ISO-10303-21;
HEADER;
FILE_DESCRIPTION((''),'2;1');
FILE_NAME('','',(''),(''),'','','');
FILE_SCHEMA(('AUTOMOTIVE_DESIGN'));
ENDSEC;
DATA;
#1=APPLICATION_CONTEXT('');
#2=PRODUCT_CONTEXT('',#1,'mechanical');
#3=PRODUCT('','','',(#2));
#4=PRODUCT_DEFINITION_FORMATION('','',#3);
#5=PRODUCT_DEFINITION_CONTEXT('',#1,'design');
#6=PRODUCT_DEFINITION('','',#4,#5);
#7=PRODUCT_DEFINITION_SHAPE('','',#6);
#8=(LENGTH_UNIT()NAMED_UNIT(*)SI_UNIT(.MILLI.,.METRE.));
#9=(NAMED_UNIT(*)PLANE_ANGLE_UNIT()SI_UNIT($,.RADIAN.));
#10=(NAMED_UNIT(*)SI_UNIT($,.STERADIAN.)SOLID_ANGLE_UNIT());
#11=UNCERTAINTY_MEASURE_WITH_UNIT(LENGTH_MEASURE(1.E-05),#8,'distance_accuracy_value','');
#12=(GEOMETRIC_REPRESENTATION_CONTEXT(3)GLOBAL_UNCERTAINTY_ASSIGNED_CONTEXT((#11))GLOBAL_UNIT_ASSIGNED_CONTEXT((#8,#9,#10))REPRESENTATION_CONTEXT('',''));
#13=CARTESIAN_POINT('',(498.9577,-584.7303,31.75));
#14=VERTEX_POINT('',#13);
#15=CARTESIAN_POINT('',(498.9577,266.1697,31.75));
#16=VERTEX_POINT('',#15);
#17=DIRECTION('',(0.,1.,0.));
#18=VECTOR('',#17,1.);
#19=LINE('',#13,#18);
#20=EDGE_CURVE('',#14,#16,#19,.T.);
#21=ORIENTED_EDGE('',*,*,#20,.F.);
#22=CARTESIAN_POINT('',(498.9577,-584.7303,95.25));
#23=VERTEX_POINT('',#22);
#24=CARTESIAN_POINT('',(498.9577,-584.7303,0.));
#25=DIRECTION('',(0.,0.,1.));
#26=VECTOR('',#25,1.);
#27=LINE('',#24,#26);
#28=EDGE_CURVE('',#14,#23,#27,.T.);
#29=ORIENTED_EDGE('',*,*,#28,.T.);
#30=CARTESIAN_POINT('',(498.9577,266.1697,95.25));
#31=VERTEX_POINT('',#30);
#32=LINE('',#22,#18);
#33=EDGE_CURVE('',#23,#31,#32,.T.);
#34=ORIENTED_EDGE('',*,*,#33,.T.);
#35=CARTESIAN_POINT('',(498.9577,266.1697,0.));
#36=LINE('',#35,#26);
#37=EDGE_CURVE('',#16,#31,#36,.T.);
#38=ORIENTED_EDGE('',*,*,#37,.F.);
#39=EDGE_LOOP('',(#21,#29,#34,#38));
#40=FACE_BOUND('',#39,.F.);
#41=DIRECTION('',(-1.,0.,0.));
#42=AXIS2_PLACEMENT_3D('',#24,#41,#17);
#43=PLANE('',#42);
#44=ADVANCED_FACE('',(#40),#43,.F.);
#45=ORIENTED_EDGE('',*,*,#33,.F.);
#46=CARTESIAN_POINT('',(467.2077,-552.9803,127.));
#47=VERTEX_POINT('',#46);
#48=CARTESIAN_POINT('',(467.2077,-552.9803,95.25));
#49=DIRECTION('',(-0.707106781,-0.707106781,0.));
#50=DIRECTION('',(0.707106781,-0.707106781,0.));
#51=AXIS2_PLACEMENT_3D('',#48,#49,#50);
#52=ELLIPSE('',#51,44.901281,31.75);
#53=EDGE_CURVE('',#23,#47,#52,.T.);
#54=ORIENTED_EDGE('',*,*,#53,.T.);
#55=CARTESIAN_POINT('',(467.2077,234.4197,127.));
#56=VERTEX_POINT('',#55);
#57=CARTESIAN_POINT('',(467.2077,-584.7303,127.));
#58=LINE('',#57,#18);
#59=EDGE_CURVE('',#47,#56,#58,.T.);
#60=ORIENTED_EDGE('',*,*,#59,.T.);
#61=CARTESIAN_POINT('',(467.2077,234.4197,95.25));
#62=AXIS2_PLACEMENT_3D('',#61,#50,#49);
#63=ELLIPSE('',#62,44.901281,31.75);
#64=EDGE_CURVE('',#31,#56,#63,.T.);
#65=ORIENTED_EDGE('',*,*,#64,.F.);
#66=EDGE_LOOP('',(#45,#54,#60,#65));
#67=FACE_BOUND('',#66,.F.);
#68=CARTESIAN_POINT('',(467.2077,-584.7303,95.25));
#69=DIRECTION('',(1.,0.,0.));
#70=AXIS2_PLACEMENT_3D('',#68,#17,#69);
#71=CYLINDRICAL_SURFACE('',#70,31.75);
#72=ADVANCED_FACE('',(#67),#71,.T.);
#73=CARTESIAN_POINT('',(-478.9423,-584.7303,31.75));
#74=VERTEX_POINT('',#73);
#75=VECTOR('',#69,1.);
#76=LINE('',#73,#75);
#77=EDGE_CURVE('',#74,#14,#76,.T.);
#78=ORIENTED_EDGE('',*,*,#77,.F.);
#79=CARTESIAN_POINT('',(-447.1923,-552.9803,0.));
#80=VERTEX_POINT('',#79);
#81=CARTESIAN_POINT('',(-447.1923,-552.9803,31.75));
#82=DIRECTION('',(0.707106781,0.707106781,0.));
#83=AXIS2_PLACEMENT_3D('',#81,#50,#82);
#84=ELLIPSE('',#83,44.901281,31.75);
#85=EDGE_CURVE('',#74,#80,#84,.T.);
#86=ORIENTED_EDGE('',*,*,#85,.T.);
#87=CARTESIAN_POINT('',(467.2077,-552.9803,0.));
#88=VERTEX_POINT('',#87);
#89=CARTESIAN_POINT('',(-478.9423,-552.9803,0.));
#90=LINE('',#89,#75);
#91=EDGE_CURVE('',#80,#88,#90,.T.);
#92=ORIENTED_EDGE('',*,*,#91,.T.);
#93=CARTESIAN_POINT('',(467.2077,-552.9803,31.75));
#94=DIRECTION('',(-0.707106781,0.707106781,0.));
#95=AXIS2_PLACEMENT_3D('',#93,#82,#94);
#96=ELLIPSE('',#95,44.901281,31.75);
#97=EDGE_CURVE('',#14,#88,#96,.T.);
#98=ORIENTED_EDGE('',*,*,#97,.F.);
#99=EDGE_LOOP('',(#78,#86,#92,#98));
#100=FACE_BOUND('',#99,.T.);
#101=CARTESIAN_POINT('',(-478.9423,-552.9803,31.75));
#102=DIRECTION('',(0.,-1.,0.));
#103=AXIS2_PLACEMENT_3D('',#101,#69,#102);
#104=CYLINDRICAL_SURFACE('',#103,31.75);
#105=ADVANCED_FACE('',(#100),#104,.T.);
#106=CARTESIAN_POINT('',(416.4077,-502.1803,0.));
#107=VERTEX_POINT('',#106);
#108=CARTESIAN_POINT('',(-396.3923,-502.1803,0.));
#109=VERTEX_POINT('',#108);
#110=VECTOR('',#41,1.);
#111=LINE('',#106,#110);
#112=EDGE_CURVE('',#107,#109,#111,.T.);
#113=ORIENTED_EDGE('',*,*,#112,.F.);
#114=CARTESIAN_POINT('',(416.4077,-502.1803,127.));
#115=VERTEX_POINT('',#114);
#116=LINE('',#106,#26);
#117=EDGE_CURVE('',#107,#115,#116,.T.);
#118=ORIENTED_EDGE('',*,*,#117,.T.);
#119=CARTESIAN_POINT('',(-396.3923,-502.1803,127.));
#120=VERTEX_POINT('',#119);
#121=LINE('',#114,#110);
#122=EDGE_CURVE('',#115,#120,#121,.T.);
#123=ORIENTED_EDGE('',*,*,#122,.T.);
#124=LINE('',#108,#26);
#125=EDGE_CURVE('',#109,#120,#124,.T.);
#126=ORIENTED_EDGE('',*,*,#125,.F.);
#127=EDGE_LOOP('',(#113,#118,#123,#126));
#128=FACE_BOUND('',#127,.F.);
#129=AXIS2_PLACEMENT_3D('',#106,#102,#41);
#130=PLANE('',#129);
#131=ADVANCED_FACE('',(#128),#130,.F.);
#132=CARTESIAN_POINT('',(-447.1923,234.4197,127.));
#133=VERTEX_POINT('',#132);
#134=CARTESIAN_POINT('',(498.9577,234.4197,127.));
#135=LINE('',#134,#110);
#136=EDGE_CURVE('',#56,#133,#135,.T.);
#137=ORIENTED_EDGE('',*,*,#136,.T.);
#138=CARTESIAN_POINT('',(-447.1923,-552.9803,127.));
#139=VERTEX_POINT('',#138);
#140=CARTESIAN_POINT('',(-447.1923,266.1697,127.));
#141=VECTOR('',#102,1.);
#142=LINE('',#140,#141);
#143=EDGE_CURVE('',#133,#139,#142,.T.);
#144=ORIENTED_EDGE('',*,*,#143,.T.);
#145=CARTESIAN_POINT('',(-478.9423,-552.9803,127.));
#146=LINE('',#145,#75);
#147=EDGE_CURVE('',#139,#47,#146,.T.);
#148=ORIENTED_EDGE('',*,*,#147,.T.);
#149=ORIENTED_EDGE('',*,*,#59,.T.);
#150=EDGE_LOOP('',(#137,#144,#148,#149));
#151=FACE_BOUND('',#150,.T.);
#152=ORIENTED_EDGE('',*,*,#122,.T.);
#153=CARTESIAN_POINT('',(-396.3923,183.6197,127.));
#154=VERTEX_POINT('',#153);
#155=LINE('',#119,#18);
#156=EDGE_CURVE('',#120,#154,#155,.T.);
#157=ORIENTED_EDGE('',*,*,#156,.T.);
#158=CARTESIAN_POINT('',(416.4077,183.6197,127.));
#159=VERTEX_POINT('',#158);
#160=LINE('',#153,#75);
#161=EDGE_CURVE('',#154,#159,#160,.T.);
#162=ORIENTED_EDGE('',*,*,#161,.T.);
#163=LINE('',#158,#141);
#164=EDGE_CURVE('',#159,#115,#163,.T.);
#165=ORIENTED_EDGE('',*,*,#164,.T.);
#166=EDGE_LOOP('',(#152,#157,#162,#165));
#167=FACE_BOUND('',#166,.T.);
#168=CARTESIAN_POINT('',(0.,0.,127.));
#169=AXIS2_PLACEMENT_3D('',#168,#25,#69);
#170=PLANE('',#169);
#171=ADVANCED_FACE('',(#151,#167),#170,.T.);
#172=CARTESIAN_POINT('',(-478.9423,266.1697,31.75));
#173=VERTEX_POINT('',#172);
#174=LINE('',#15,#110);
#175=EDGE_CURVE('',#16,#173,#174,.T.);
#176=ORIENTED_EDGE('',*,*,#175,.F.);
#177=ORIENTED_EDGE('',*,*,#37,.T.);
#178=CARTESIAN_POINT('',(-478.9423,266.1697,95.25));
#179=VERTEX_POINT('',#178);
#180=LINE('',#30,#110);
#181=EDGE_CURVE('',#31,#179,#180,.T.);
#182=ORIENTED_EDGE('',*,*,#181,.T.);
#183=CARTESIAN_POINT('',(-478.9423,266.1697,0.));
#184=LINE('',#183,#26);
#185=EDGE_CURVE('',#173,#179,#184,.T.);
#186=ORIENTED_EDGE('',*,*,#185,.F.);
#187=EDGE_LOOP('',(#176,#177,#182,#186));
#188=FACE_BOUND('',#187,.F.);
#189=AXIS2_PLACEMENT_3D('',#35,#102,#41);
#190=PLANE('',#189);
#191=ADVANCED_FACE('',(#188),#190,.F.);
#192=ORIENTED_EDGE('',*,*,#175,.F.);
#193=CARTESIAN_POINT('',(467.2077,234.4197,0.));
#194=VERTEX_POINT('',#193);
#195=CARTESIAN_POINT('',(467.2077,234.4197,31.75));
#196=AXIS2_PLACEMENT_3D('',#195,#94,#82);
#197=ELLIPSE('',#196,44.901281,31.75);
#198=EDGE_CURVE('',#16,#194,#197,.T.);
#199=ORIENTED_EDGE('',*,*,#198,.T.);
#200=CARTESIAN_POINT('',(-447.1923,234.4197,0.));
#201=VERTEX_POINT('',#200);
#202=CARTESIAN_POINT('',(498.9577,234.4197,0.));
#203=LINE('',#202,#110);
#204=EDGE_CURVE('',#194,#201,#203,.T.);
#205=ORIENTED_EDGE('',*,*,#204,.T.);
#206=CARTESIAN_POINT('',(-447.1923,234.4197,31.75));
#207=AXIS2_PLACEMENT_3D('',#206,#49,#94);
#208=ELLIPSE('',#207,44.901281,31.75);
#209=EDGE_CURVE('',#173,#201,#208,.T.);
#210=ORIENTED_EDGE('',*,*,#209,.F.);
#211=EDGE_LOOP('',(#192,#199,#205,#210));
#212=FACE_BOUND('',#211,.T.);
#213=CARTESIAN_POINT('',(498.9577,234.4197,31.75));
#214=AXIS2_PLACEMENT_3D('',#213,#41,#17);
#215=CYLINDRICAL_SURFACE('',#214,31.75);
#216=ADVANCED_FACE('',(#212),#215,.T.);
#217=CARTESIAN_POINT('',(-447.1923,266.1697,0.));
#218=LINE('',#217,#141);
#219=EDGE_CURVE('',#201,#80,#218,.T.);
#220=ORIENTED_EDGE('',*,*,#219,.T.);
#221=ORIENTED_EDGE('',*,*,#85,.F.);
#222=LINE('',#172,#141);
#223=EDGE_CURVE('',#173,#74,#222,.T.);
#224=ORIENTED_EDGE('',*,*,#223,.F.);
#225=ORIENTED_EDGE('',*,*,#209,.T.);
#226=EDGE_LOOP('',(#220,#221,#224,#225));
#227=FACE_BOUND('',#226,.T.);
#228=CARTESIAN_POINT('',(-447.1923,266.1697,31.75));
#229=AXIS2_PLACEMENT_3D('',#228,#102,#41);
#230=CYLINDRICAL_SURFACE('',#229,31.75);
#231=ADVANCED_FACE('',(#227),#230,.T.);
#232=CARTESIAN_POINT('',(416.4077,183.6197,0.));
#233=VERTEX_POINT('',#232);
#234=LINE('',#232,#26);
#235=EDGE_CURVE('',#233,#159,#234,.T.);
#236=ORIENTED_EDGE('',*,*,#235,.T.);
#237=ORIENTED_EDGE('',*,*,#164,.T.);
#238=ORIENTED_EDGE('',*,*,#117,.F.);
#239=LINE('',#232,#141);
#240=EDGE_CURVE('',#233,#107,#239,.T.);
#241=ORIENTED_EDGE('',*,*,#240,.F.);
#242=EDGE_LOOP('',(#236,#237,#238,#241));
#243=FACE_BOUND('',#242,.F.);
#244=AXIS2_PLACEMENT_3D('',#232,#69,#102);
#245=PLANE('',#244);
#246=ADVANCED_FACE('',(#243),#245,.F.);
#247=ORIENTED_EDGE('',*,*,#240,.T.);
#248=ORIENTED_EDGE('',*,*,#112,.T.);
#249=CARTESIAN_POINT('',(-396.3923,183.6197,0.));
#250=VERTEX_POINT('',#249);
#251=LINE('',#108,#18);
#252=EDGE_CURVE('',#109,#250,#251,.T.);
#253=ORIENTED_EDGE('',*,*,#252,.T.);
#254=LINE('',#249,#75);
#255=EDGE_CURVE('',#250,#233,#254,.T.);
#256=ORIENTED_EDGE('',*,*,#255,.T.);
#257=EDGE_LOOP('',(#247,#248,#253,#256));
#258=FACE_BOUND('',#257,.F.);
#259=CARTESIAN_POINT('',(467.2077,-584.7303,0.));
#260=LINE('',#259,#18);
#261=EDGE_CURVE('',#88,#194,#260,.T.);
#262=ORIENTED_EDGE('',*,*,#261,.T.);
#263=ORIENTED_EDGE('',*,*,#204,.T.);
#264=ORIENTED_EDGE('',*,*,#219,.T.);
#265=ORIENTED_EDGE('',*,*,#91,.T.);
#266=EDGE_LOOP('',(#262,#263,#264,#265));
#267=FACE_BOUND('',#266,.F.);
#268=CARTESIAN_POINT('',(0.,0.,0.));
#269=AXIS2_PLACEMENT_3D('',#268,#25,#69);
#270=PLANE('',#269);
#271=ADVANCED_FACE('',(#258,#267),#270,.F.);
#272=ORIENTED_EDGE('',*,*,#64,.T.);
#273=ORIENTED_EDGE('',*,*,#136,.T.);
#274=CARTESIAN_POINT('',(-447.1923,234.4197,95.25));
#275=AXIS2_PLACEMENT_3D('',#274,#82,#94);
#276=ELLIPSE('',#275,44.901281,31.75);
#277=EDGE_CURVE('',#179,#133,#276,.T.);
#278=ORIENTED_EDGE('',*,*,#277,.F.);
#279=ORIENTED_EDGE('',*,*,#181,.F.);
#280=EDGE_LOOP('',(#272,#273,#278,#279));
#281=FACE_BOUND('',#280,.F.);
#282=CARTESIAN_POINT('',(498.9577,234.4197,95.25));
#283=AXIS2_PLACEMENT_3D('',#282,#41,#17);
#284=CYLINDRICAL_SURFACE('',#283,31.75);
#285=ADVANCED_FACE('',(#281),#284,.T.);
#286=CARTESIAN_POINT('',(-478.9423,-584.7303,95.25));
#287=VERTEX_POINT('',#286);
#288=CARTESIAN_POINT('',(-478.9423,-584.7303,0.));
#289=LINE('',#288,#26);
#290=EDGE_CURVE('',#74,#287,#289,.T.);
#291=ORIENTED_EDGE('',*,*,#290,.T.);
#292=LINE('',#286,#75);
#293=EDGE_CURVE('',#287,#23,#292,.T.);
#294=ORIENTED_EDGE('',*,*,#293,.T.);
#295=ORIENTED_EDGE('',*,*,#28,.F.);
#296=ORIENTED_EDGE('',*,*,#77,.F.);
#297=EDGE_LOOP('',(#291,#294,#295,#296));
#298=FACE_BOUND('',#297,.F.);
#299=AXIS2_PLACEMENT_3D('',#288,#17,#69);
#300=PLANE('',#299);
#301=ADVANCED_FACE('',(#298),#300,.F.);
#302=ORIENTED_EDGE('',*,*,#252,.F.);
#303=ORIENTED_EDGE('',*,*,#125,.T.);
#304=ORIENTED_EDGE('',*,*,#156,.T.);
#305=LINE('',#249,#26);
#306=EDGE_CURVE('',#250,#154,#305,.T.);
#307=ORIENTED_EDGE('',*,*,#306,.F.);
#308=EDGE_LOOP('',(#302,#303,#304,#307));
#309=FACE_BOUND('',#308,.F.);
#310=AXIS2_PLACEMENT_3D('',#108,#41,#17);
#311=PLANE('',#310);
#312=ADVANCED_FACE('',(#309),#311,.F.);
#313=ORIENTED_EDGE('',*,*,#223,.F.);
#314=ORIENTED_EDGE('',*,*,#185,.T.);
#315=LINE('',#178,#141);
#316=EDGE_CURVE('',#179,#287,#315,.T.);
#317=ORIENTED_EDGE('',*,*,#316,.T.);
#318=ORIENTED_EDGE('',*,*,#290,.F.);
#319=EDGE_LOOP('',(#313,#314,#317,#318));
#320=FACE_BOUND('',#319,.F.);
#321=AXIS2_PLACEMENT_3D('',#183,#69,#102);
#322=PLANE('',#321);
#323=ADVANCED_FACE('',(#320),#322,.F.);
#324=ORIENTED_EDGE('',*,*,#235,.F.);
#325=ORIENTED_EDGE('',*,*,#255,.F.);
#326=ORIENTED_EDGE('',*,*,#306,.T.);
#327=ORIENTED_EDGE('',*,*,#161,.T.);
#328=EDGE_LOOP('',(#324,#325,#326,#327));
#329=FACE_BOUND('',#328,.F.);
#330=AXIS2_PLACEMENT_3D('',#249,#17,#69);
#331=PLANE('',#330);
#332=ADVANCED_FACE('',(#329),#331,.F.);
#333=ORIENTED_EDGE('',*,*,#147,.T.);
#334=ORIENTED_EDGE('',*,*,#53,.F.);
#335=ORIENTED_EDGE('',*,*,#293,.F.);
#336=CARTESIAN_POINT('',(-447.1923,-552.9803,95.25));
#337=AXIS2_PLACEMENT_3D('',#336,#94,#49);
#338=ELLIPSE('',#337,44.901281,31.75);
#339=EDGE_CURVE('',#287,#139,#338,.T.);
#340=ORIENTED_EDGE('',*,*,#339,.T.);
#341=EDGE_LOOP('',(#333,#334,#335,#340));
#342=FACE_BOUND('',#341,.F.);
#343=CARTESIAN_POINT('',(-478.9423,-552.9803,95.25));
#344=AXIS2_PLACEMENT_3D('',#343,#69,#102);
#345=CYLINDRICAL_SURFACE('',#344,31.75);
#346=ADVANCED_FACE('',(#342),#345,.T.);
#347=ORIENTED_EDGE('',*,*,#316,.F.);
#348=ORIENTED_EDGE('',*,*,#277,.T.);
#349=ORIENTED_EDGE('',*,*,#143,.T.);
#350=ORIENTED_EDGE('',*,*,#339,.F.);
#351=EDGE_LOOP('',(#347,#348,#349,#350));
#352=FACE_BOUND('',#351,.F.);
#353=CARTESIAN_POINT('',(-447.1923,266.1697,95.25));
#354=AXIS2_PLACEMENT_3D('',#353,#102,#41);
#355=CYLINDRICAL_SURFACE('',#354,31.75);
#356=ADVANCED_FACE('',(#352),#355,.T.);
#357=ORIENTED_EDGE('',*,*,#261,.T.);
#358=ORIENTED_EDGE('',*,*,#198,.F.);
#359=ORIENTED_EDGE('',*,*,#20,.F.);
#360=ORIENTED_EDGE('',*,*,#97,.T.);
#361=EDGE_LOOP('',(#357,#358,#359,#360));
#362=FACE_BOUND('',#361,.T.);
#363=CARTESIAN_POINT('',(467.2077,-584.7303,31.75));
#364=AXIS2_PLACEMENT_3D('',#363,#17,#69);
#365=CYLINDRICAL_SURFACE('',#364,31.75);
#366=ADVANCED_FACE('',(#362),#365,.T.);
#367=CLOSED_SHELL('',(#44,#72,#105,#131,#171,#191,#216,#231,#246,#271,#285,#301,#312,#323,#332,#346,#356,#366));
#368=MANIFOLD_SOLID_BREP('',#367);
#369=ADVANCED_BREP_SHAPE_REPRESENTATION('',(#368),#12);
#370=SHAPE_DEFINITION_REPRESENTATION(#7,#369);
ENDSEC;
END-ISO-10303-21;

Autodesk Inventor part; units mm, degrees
ref_plane "YZ Plane" through (0, 0, 0) normal (1, 0, 0) x (0, 1, 0)
ref_plane "XZ Plane" through (0, 0, 0) normal (0, 1, 0) x (-1, 0, 0)
ref_plane "XY Plane" through (0, 0, 0) normal (0, 0, 1) x (1, 0, 0)
sketch "Sketch1" plane through (0, 0, 0) normal (0, 0, 1) x (1, 0, 0)
  line L0 (-396.3923, 183.6197) -> (416.4077, 183.6197)
  line L1 (416.4077, 183.6197) -> (416.4077, -502.1803)
  line L2 (416.4077, -502.1803) -> (-396.3923, -502.1803)
  line L3 (-396.3923, -502.1803) -> (-396.3923, 183.6197)
  line L4 (498.9577, 266.1697) -> (-478.9423, 266.1697)
  line L5 (-478.9423, 266.1697) -> (-478.9423, -584.7303)
  line L6 (-478.9423, -584.7303) -> (498.9577, -584.7303)
  line L7 (498.9577, -584.7303) -> (498.9577, 266.1697)
  point P0 (0, 0)
  dimension "d0" = 812.8
  dimension "d1" = 685.8
  dimension "d2" = 82.55
extrude "Extrusion1" add sketch "Sketch1" along normal blind 127
fillet "Fillet1" radius 31.75 8 edges at (10.0077, 266.1697, 127) (-478.9423, -159.2803, 127) (10.0077, -584.7303, 127) (498.9577, -159.2803, 127) (498.9577, -159.2803, 0) (10.0077, 266.1697, 0) (10.0077, -584.7303, 0) (-478.9423, -159.2803, 0)
properties part number "Red Bumper"
